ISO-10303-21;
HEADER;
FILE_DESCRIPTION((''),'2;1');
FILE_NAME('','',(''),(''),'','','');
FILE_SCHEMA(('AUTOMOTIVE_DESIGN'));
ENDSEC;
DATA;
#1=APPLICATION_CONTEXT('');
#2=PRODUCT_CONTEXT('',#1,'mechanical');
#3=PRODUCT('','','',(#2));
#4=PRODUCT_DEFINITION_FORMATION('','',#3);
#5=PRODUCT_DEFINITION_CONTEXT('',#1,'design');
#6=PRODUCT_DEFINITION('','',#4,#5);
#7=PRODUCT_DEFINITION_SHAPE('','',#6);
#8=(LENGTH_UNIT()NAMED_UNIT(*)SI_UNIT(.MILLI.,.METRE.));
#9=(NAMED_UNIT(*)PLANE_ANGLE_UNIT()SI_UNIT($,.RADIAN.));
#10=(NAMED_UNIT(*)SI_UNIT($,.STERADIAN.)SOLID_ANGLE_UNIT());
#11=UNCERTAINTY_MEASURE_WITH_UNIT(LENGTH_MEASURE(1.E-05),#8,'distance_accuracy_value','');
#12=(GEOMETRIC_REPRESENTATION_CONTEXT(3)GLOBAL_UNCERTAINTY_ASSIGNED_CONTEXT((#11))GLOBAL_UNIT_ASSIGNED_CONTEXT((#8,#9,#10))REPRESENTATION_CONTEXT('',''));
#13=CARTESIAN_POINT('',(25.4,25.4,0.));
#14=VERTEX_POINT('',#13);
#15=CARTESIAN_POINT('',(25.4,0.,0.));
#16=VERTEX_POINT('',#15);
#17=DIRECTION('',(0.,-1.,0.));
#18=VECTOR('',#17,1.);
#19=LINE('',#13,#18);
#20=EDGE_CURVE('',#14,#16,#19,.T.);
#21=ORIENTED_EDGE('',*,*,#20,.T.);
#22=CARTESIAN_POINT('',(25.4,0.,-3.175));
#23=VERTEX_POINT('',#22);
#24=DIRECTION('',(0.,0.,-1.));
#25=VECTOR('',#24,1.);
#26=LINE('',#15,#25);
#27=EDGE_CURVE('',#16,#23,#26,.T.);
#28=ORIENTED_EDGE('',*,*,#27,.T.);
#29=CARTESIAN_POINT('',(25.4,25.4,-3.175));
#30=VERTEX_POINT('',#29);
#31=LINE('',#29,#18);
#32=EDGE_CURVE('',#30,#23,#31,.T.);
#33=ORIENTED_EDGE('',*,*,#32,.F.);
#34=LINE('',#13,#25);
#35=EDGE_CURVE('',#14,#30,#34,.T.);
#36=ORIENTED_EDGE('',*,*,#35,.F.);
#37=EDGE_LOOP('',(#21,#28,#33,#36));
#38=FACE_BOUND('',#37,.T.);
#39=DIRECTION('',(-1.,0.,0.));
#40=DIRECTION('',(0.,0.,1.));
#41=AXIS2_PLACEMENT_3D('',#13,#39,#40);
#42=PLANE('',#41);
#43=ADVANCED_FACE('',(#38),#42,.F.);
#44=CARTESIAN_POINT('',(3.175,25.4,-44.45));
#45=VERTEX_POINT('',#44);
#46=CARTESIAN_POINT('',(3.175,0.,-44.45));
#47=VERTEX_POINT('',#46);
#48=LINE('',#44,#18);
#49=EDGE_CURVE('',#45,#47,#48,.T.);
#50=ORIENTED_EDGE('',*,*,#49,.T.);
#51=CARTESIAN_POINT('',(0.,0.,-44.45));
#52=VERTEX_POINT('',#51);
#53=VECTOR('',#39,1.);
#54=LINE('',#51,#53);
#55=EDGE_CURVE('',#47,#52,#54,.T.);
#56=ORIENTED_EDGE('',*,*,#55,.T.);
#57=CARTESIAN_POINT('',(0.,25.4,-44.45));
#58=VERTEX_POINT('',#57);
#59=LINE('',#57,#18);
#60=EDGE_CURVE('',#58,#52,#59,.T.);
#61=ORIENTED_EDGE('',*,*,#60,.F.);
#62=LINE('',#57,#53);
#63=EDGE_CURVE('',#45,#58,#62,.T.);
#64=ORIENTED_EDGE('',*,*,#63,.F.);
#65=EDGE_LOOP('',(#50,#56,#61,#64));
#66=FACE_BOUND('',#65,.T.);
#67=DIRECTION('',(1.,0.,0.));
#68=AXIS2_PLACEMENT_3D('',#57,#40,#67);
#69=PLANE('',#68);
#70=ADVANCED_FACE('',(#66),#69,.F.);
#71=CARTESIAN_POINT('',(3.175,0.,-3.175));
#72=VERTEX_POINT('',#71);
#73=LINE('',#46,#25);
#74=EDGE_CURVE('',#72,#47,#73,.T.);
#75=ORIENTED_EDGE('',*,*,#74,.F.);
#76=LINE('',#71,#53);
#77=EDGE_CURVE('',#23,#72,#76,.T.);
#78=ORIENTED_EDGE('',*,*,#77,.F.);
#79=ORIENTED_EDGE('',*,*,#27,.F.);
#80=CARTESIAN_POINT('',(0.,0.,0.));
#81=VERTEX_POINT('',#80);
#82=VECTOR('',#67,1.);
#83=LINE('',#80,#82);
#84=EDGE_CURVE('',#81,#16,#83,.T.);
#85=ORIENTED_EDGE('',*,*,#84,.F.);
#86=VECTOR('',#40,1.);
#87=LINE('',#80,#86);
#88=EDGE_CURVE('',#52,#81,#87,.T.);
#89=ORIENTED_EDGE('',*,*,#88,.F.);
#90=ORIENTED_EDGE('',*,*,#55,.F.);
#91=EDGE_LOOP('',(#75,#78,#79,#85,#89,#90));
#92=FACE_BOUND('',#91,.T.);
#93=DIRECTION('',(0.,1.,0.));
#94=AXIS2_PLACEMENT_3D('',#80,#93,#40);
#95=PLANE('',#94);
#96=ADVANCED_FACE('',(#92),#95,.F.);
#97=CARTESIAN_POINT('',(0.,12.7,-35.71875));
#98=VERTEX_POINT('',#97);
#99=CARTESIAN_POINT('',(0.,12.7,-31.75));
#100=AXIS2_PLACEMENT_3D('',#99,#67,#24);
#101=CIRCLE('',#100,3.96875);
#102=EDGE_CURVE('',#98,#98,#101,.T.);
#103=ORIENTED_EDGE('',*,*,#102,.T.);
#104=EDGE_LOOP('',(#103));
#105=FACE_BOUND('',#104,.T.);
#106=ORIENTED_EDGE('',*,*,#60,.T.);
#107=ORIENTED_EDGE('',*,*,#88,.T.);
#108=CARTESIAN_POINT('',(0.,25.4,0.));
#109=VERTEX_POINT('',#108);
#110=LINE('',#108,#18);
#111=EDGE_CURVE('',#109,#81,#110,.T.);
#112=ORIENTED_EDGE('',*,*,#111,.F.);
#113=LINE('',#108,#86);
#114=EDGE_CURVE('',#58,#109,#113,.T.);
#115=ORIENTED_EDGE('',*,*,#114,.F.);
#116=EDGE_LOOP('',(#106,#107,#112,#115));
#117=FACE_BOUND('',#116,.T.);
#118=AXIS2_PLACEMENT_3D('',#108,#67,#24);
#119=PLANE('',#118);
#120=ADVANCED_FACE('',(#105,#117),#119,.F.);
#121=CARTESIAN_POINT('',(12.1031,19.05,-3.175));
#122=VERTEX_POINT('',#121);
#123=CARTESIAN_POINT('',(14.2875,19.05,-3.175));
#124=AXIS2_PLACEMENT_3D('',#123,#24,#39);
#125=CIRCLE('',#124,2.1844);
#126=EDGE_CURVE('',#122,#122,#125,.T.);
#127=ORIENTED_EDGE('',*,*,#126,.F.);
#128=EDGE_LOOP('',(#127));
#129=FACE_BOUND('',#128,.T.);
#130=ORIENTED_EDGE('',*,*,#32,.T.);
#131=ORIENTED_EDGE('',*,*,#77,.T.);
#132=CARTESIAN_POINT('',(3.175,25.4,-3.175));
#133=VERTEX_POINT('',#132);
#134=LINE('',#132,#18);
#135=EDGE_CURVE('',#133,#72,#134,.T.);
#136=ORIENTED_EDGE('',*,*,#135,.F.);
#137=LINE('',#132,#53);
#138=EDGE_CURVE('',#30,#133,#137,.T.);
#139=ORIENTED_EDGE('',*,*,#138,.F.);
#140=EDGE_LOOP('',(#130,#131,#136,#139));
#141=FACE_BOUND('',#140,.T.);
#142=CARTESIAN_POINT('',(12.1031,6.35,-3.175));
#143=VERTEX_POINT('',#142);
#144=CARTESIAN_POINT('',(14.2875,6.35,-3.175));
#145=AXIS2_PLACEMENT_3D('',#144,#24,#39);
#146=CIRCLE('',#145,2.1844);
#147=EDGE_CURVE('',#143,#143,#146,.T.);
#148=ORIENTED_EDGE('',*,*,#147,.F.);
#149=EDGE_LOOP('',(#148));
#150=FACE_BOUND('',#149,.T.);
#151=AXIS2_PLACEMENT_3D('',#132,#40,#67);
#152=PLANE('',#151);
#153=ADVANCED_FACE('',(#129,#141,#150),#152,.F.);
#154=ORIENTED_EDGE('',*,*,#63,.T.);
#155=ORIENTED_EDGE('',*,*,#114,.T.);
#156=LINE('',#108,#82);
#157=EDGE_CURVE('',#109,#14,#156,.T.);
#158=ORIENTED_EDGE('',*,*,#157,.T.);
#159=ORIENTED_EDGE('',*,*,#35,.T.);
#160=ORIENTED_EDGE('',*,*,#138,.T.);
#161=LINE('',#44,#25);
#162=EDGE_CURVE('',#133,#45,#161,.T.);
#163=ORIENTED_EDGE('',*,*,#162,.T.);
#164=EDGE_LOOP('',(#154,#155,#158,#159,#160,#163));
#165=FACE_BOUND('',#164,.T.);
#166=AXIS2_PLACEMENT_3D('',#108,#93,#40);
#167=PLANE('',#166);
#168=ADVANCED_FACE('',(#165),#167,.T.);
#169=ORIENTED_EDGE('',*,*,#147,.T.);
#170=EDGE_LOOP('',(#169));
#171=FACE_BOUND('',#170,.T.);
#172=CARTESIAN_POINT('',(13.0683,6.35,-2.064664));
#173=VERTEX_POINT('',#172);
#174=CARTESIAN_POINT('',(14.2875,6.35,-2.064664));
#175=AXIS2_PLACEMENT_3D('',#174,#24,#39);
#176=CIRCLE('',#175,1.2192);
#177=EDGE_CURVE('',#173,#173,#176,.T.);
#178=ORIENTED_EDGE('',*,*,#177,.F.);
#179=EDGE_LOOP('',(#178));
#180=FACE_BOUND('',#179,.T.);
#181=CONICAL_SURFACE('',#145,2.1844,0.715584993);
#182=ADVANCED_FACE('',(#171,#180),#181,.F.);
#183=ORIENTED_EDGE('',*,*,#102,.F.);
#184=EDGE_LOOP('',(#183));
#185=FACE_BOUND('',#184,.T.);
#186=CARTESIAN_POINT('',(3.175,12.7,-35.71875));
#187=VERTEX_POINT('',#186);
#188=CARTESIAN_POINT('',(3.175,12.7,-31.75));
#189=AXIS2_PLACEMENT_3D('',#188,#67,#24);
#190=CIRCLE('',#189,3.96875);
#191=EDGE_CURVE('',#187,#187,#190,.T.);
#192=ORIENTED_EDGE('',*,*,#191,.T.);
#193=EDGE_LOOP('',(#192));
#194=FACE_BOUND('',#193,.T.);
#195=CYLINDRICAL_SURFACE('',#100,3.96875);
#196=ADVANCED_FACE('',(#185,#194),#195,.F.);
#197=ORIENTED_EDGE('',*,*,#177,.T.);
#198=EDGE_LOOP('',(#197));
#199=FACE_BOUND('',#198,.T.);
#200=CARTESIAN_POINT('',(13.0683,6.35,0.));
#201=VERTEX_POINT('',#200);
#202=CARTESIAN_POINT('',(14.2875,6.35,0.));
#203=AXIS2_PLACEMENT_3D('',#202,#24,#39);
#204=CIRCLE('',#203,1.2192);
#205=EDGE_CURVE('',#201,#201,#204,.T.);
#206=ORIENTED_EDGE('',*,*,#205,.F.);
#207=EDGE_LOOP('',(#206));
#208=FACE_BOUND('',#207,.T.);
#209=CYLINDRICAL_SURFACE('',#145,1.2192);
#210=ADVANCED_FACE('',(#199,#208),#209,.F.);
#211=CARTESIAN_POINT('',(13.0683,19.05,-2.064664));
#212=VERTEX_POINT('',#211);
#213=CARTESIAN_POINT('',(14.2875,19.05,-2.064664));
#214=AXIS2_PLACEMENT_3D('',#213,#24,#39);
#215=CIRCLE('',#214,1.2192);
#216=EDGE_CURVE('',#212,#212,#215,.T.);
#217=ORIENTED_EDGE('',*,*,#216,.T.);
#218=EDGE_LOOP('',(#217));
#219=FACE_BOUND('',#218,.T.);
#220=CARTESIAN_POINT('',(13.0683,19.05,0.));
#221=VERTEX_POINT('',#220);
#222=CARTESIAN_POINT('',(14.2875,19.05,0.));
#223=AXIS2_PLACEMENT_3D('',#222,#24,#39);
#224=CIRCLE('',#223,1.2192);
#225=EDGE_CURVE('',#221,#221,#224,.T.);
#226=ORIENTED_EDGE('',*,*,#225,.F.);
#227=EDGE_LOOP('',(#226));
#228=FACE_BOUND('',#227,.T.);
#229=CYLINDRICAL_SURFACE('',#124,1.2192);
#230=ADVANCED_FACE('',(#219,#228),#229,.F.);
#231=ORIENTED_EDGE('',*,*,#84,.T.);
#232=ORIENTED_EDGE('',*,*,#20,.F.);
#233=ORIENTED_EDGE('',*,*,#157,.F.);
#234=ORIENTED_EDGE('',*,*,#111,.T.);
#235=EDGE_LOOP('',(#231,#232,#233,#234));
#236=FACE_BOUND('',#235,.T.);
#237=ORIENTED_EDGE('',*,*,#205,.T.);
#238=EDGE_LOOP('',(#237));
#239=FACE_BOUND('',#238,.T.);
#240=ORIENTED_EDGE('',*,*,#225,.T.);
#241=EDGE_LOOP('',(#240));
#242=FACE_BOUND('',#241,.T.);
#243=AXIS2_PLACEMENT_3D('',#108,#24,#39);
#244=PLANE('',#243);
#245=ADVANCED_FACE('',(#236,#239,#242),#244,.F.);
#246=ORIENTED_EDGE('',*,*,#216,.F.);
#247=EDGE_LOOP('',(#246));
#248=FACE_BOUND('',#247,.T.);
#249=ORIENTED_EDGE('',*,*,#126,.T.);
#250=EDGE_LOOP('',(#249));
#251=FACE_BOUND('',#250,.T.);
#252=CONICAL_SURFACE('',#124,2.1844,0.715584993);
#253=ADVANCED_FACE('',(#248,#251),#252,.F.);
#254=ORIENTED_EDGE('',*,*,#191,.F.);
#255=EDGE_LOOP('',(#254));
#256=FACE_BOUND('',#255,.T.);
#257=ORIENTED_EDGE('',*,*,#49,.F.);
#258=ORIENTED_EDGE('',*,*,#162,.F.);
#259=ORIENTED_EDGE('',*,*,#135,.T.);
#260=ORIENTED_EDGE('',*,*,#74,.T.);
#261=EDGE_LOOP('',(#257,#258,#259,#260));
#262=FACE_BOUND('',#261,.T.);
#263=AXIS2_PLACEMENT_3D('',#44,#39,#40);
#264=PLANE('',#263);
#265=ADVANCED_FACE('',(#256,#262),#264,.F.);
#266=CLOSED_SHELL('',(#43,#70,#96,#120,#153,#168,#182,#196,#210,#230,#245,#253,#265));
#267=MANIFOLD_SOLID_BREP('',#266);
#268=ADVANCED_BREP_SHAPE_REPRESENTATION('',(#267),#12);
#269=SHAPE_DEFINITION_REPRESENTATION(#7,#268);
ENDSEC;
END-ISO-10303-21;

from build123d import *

# Parameters (mm, degrees)
BOSS_EXTRUDE1_DEPTH                            = 25.4
SKETCH2_R                                      = 3.96875
CUT_EXTRUDE1_DEPTH                             = 4.175
CSK_FOR_2_FLAT_HEAD_MACHINE_SCREW1_D           = 2.4384
CSK_FOR_2_FLAT_HEAD_MACHINE_SCREW1_CSINK_D     = 4.3688
CSK_FOR_2_FLAT_HEAD_MACHINE_SCREW1_CSINK_ANGLE = 82


with BuildPart() as part:
    # Sketch1 → Boss-Extrude1 (new body)
    with BuildSketch(Plane(origin=(0, 0, 0), x_dir=(1, 0, 0), z_dir=(0, 1, 0))):
        Polygon((0, 0), (0, 44.45), (3.175, 44.45), (3.175, 3.175), (25.4, 3.175), (25.4, 0), align=None)
    extrude(amount=BOSS_EXTRUDE1_DEPTH)

    # Sketch2 → Cut-Extrude1 (cut, through all)
    with BuildSketch(Plane(origin=(3.175, 0, 0), x_dir=(0, 0, -1), z_dir=(1, 0, 0))):
        with Locations((31.75, 12.7)):
            Circle(SKETCH2_R)
    extrude(amount=-CUT_EXTRUDE1_DEPTH, mode=Mode.SUBTRACT)

    # CSK for #2 Flat Head Machine Screw1 (through all)
    with Locations(Plane(origin=(0, 0, -3.175), x_dir=(-1, 0, 0), z_dir=(0, 0, -1))):
        with Locations((-14.2875, 19.05), (-14.2875, 6.35)):
            CounterSinkHole(CSK_FOR_2_FLAT_HEAD_MACHINE_SCREW1_D / 2, CSK_FOR_2_FLAT_HEAD_MACHINE_SCREW1_CSINK_D / 2, counter_sink_angle=CSK_FOR_2_FLAT_HEAD_MACHINE_SCREW1_CSINK_ANGLE)


solid = part.part
